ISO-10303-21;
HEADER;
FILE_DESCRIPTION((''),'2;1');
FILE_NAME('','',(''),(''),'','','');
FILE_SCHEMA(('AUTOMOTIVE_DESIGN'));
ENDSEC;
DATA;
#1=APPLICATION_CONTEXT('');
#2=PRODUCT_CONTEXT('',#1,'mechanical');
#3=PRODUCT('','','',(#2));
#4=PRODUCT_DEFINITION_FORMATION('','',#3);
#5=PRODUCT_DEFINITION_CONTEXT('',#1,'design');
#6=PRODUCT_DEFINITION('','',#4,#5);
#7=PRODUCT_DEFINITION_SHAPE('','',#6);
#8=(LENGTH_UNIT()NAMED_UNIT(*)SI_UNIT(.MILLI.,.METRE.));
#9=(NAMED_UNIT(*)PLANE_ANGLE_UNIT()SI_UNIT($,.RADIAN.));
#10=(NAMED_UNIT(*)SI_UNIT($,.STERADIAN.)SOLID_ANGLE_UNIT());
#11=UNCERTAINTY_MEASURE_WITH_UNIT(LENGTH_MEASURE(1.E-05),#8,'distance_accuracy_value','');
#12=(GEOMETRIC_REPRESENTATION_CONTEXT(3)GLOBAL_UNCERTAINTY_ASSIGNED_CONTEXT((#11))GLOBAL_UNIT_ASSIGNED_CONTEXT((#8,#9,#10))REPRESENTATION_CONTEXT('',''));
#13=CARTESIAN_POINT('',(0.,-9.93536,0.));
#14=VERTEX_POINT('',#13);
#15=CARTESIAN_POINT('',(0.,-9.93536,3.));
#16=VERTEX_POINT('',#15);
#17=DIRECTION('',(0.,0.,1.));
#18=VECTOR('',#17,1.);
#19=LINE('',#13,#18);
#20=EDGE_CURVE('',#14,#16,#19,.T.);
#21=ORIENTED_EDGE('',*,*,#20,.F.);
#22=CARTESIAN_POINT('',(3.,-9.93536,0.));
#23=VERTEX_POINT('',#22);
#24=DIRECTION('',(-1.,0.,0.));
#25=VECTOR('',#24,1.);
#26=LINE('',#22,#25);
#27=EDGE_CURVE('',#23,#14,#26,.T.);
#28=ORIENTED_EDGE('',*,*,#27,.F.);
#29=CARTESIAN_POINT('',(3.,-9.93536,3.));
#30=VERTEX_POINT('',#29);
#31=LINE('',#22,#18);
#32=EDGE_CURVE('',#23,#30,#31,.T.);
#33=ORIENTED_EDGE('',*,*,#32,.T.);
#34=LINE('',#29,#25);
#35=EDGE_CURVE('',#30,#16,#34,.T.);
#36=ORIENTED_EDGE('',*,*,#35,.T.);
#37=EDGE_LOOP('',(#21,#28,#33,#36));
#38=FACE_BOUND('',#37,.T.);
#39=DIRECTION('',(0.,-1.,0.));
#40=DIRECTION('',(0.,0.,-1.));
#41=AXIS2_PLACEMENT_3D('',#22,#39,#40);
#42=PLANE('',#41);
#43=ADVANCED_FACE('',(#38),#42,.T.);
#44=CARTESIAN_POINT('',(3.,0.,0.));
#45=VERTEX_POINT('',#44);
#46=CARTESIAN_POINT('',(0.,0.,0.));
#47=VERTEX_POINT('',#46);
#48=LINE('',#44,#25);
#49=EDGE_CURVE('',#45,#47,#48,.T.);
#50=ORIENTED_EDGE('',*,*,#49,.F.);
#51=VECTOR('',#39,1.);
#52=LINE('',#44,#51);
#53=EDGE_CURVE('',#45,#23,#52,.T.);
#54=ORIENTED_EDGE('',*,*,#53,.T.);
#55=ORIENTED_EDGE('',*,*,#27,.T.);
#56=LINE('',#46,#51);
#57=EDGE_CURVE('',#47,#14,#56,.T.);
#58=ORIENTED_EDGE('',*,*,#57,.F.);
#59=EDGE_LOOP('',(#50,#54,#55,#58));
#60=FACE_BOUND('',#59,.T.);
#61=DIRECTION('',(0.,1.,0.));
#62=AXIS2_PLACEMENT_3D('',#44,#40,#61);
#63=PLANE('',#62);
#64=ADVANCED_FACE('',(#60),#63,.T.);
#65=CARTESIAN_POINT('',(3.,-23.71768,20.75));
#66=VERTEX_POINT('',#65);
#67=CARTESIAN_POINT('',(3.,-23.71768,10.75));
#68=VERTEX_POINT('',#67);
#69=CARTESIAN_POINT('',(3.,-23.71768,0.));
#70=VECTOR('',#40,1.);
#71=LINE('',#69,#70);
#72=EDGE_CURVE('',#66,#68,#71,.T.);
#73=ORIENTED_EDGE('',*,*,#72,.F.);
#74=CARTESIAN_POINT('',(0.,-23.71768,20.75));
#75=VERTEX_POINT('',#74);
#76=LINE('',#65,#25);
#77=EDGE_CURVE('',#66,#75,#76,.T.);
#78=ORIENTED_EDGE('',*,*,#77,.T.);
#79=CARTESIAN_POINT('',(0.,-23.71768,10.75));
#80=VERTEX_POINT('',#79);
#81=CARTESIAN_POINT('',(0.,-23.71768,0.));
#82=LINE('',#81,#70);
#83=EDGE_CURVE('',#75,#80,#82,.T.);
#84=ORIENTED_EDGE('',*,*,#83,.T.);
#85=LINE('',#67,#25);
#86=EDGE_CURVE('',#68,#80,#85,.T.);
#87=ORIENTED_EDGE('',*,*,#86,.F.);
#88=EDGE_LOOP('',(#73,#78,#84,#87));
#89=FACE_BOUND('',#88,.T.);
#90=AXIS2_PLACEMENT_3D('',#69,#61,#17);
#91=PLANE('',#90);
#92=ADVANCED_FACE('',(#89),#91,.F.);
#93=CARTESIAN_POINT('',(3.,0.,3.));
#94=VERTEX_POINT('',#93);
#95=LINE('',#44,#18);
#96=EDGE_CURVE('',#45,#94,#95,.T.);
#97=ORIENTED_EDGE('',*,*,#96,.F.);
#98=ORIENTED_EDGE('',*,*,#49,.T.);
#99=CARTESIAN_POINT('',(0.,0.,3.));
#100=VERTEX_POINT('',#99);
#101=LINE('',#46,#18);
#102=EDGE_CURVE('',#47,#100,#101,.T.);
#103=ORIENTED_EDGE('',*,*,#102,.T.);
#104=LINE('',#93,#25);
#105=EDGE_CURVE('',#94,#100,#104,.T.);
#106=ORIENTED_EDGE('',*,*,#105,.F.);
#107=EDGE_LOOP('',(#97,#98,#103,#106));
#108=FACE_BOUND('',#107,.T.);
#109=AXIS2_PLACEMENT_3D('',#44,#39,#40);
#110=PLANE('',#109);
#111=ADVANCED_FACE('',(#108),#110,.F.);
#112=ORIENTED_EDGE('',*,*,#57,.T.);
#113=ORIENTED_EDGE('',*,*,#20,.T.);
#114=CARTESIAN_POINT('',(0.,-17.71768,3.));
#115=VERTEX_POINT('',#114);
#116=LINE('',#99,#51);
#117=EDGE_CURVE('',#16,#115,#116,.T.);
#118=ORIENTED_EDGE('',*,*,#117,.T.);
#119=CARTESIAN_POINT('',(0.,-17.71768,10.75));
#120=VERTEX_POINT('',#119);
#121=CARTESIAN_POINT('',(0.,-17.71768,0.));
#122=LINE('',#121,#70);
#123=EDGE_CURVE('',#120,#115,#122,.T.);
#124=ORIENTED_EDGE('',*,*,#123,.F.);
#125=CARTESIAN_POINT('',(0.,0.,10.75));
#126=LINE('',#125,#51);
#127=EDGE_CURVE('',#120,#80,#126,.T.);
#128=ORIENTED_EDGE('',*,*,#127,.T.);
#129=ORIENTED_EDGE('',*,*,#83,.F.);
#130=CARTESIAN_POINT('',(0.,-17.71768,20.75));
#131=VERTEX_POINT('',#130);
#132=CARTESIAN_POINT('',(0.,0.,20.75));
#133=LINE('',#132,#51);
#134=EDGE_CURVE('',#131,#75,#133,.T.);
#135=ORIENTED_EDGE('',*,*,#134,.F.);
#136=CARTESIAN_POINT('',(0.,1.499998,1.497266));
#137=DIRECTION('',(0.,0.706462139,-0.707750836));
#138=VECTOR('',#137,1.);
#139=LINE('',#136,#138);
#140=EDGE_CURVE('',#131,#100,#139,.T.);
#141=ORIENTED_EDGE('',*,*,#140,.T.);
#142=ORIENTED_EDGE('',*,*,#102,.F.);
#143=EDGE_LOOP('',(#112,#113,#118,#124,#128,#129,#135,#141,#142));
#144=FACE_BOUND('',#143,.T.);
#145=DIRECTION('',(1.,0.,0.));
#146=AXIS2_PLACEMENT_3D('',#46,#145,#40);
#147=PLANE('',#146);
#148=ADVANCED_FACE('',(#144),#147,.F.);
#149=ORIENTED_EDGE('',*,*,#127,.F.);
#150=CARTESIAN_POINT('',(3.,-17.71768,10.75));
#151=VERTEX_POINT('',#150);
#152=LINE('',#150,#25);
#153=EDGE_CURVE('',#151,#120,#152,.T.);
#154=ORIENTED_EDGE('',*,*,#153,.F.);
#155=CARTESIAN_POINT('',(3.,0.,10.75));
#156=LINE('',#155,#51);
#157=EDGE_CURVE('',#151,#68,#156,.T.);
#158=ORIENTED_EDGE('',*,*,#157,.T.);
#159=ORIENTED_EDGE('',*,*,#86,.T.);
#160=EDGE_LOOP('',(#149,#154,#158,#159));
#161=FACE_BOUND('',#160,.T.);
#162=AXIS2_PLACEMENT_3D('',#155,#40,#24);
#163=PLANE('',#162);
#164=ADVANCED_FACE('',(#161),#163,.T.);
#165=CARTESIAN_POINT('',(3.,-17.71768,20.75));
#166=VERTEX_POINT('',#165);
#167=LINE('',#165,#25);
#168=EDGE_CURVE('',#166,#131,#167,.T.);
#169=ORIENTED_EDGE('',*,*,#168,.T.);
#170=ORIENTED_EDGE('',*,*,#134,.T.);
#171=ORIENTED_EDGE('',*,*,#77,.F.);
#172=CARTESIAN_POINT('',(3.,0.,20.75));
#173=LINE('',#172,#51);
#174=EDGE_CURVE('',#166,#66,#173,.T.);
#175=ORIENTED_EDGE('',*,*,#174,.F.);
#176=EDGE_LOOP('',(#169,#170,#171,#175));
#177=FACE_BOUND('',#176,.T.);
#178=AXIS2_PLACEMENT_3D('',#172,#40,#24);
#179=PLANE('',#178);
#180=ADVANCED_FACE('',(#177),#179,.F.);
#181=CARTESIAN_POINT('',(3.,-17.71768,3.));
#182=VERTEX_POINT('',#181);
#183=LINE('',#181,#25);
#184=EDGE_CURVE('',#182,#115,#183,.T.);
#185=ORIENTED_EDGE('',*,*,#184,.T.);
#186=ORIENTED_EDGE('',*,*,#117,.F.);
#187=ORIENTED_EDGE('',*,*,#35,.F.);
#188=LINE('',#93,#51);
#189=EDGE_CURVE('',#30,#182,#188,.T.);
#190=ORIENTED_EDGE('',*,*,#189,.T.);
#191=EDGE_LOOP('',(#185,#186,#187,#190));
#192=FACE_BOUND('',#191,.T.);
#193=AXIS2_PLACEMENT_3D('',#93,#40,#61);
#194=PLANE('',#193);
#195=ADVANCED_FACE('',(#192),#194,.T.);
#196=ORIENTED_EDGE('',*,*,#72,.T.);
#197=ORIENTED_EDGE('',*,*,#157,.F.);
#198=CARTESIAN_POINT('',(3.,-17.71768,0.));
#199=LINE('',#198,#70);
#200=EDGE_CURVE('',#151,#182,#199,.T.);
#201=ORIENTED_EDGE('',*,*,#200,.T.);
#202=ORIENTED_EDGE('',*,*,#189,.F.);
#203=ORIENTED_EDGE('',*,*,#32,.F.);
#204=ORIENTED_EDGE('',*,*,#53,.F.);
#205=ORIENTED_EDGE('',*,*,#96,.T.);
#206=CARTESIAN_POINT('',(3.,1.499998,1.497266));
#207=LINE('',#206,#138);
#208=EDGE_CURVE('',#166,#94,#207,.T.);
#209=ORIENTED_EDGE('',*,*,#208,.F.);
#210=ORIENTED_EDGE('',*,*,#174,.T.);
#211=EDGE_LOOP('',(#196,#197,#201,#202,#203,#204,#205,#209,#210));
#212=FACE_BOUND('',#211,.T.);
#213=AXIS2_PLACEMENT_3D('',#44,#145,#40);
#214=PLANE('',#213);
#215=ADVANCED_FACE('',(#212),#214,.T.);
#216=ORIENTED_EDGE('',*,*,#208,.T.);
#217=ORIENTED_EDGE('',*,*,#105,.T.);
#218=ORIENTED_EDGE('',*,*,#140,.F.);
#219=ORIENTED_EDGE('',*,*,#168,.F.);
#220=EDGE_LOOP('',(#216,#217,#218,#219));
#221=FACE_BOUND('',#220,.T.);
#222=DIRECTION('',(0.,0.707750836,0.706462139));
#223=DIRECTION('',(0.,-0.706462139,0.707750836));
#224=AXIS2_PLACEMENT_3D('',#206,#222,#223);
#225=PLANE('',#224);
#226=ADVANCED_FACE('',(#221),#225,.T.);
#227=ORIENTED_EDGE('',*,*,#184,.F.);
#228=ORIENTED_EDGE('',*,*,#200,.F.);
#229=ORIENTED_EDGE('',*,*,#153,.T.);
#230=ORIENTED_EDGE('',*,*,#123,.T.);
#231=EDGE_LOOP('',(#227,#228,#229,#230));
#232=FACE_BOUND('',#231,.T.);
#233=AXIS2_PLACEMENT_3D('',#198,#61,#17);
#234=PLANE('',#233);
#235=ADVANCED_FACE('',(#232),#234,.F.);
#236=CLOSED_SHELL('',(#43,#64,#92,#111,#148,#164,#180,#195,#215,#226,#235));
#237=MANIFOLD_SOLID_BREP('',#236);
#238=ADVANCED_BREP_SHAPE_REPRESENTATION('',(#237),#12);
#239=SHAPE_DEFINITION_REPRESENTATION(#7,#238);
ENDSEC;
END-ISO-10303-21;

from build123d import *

# Parameters (mm, degrees)
BOSS_EXTRUDE1_DEPTH = 3


with BuildPart() as part:
    # Sketch1 → Boss-Extrude1 (new body)
    with BuildSketch(Plane(origin=(0, 0, 0), x_dir=(0, 0, -1), z_dir=(1, 0, 0))):
        Polygon((-3, -9.935360412), (-3, -4.967680206), (-3, 0), (-20.75, -17.717680206), (-15.75, -17.717680206), (-10.75, -17.717680206), (-3, -17.717680206), align=None)
        Polygon((-3, 0), (-3, -4.967680206), (-3, -9.935360412), (0, -9.935360412), (0, 0), align=None)
        Polygon((-15.75, -17.717680206), (-20.75, -17.717680206), (-20.75, -23.717680206), (-10.75, -23.717680206), (-10.75, -17.717680206), align=None)
    extrude(amount=BOSS_EXTRUDE1_DEPTH)


solid = part.part
